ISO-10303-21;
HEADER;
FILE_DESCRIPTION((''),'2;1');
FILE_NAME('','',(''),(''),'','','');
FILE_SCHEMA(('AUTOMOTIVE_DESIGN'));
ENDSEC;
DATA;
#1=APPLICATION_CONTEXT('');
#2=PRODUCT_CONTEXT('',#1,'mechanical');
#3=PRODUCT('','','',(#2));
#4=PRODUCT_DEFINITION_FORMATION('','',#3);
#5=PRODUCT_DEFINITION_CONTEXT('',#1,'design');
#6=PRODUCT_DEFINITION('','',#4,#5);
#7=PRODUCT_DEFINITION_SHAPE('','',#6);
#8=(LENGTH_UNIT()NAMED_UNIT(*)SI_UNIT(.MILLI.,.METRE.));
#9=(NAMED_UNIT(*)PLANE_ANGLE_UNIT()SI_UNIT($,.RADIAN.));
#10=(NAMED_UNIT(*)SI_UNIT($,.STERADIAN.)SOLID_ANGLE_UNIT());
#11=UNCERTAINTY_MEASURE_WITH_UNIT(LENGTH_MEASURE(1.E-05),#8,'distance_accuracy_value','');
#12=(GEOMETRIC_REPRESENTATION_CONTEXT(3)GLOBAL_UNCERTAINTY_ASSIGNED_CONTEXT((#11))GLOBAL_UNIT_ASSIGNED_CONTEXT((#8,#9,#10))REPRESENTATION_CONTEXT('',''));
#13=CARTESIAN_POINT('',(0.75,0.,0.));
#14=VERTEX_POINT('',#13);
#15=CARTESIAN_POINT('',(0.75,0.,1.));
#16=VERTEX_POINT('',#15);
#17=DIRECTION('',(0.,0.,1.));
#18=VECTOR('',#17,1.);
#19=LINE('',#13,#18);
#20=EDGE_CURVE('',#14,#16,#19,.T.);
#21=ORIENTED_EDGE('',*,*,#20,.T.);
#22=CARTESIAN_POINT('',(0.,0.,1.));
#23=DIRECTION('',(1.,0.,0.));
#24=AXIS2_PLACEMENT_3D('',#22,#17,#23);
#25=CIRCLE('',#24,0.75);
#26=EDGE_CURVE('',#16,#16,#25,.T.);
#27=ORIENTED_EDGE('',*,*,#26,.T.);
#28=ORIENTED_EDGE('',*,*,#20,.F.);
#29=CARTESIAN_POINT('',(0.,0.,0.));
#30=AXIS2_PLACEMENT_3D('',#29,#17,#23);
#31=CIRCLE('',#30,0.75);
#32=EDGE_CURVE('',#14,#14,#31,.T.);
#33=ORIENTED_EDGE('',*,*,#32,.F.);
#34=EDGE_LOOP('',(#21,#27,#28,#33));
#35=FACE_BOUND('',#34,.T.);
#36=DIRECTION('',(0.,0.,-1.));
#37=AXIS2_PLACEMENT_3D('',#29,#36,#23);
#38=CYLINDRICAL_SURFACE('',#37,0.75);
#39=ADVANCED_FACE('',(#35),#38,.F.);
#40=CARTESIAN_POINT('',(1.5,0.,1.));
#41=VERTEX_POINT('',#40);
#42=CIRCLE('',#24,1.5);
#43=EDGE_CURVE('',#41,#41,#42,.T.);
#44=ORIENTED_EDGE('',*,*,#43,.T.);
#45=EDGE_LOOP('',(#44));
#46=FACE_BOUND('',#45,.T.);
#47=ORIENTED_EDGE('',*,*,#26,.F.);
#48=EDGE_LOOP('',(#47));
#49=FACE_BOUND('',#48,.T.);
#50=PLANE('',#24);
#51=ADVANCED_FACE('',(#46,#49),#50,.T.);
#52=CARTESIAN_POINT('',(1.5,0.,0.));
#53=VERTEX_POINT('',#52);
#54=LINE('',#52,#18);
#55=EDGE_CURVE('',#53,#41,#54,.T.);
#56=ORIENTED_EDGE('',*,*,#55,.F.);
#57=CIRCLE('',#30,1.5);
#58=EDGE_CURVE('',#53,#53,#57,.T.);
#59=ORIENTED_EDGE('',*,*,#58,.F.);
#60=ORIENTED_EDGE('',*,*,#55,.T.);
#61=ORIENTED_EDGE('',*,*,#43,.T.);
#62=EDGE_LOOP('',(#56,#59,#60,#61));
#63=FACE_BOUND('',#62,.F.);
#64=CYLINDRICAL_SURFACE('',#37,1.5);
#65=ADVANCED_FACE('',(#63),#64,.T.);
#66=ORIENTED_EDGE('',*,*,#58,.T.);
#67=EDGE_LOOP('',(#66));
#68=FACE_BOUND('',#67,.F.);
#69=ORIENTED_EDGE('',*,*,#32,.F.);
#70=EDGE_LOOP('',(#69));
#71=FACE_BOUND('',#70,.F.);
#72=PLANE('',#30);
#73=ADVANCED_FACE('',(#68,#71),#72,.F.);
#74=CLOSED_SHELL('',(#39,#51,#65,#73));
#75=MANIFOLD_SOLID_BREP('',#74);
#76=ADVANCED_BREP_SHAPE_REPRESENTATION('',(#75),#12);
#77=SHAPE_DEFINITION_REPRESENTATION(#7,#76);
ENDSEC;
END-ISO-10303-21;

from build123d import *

# Parameters (mm, degrees)
SKETCH_R   = 1.5
SKETCH_R_2 = 0.75
PAD_DEPTH  = 1


with BuildPart() as part:
    # Sketch → Pad (new body)
    with BuildSketch(Plane.XY):
        Circle(SKETCH_R)
        Circle(SKETCH_R_2, mode=Mode.SUBTRACT)
    extrude(amount=PAD_DEPTH)


solid = part.part
